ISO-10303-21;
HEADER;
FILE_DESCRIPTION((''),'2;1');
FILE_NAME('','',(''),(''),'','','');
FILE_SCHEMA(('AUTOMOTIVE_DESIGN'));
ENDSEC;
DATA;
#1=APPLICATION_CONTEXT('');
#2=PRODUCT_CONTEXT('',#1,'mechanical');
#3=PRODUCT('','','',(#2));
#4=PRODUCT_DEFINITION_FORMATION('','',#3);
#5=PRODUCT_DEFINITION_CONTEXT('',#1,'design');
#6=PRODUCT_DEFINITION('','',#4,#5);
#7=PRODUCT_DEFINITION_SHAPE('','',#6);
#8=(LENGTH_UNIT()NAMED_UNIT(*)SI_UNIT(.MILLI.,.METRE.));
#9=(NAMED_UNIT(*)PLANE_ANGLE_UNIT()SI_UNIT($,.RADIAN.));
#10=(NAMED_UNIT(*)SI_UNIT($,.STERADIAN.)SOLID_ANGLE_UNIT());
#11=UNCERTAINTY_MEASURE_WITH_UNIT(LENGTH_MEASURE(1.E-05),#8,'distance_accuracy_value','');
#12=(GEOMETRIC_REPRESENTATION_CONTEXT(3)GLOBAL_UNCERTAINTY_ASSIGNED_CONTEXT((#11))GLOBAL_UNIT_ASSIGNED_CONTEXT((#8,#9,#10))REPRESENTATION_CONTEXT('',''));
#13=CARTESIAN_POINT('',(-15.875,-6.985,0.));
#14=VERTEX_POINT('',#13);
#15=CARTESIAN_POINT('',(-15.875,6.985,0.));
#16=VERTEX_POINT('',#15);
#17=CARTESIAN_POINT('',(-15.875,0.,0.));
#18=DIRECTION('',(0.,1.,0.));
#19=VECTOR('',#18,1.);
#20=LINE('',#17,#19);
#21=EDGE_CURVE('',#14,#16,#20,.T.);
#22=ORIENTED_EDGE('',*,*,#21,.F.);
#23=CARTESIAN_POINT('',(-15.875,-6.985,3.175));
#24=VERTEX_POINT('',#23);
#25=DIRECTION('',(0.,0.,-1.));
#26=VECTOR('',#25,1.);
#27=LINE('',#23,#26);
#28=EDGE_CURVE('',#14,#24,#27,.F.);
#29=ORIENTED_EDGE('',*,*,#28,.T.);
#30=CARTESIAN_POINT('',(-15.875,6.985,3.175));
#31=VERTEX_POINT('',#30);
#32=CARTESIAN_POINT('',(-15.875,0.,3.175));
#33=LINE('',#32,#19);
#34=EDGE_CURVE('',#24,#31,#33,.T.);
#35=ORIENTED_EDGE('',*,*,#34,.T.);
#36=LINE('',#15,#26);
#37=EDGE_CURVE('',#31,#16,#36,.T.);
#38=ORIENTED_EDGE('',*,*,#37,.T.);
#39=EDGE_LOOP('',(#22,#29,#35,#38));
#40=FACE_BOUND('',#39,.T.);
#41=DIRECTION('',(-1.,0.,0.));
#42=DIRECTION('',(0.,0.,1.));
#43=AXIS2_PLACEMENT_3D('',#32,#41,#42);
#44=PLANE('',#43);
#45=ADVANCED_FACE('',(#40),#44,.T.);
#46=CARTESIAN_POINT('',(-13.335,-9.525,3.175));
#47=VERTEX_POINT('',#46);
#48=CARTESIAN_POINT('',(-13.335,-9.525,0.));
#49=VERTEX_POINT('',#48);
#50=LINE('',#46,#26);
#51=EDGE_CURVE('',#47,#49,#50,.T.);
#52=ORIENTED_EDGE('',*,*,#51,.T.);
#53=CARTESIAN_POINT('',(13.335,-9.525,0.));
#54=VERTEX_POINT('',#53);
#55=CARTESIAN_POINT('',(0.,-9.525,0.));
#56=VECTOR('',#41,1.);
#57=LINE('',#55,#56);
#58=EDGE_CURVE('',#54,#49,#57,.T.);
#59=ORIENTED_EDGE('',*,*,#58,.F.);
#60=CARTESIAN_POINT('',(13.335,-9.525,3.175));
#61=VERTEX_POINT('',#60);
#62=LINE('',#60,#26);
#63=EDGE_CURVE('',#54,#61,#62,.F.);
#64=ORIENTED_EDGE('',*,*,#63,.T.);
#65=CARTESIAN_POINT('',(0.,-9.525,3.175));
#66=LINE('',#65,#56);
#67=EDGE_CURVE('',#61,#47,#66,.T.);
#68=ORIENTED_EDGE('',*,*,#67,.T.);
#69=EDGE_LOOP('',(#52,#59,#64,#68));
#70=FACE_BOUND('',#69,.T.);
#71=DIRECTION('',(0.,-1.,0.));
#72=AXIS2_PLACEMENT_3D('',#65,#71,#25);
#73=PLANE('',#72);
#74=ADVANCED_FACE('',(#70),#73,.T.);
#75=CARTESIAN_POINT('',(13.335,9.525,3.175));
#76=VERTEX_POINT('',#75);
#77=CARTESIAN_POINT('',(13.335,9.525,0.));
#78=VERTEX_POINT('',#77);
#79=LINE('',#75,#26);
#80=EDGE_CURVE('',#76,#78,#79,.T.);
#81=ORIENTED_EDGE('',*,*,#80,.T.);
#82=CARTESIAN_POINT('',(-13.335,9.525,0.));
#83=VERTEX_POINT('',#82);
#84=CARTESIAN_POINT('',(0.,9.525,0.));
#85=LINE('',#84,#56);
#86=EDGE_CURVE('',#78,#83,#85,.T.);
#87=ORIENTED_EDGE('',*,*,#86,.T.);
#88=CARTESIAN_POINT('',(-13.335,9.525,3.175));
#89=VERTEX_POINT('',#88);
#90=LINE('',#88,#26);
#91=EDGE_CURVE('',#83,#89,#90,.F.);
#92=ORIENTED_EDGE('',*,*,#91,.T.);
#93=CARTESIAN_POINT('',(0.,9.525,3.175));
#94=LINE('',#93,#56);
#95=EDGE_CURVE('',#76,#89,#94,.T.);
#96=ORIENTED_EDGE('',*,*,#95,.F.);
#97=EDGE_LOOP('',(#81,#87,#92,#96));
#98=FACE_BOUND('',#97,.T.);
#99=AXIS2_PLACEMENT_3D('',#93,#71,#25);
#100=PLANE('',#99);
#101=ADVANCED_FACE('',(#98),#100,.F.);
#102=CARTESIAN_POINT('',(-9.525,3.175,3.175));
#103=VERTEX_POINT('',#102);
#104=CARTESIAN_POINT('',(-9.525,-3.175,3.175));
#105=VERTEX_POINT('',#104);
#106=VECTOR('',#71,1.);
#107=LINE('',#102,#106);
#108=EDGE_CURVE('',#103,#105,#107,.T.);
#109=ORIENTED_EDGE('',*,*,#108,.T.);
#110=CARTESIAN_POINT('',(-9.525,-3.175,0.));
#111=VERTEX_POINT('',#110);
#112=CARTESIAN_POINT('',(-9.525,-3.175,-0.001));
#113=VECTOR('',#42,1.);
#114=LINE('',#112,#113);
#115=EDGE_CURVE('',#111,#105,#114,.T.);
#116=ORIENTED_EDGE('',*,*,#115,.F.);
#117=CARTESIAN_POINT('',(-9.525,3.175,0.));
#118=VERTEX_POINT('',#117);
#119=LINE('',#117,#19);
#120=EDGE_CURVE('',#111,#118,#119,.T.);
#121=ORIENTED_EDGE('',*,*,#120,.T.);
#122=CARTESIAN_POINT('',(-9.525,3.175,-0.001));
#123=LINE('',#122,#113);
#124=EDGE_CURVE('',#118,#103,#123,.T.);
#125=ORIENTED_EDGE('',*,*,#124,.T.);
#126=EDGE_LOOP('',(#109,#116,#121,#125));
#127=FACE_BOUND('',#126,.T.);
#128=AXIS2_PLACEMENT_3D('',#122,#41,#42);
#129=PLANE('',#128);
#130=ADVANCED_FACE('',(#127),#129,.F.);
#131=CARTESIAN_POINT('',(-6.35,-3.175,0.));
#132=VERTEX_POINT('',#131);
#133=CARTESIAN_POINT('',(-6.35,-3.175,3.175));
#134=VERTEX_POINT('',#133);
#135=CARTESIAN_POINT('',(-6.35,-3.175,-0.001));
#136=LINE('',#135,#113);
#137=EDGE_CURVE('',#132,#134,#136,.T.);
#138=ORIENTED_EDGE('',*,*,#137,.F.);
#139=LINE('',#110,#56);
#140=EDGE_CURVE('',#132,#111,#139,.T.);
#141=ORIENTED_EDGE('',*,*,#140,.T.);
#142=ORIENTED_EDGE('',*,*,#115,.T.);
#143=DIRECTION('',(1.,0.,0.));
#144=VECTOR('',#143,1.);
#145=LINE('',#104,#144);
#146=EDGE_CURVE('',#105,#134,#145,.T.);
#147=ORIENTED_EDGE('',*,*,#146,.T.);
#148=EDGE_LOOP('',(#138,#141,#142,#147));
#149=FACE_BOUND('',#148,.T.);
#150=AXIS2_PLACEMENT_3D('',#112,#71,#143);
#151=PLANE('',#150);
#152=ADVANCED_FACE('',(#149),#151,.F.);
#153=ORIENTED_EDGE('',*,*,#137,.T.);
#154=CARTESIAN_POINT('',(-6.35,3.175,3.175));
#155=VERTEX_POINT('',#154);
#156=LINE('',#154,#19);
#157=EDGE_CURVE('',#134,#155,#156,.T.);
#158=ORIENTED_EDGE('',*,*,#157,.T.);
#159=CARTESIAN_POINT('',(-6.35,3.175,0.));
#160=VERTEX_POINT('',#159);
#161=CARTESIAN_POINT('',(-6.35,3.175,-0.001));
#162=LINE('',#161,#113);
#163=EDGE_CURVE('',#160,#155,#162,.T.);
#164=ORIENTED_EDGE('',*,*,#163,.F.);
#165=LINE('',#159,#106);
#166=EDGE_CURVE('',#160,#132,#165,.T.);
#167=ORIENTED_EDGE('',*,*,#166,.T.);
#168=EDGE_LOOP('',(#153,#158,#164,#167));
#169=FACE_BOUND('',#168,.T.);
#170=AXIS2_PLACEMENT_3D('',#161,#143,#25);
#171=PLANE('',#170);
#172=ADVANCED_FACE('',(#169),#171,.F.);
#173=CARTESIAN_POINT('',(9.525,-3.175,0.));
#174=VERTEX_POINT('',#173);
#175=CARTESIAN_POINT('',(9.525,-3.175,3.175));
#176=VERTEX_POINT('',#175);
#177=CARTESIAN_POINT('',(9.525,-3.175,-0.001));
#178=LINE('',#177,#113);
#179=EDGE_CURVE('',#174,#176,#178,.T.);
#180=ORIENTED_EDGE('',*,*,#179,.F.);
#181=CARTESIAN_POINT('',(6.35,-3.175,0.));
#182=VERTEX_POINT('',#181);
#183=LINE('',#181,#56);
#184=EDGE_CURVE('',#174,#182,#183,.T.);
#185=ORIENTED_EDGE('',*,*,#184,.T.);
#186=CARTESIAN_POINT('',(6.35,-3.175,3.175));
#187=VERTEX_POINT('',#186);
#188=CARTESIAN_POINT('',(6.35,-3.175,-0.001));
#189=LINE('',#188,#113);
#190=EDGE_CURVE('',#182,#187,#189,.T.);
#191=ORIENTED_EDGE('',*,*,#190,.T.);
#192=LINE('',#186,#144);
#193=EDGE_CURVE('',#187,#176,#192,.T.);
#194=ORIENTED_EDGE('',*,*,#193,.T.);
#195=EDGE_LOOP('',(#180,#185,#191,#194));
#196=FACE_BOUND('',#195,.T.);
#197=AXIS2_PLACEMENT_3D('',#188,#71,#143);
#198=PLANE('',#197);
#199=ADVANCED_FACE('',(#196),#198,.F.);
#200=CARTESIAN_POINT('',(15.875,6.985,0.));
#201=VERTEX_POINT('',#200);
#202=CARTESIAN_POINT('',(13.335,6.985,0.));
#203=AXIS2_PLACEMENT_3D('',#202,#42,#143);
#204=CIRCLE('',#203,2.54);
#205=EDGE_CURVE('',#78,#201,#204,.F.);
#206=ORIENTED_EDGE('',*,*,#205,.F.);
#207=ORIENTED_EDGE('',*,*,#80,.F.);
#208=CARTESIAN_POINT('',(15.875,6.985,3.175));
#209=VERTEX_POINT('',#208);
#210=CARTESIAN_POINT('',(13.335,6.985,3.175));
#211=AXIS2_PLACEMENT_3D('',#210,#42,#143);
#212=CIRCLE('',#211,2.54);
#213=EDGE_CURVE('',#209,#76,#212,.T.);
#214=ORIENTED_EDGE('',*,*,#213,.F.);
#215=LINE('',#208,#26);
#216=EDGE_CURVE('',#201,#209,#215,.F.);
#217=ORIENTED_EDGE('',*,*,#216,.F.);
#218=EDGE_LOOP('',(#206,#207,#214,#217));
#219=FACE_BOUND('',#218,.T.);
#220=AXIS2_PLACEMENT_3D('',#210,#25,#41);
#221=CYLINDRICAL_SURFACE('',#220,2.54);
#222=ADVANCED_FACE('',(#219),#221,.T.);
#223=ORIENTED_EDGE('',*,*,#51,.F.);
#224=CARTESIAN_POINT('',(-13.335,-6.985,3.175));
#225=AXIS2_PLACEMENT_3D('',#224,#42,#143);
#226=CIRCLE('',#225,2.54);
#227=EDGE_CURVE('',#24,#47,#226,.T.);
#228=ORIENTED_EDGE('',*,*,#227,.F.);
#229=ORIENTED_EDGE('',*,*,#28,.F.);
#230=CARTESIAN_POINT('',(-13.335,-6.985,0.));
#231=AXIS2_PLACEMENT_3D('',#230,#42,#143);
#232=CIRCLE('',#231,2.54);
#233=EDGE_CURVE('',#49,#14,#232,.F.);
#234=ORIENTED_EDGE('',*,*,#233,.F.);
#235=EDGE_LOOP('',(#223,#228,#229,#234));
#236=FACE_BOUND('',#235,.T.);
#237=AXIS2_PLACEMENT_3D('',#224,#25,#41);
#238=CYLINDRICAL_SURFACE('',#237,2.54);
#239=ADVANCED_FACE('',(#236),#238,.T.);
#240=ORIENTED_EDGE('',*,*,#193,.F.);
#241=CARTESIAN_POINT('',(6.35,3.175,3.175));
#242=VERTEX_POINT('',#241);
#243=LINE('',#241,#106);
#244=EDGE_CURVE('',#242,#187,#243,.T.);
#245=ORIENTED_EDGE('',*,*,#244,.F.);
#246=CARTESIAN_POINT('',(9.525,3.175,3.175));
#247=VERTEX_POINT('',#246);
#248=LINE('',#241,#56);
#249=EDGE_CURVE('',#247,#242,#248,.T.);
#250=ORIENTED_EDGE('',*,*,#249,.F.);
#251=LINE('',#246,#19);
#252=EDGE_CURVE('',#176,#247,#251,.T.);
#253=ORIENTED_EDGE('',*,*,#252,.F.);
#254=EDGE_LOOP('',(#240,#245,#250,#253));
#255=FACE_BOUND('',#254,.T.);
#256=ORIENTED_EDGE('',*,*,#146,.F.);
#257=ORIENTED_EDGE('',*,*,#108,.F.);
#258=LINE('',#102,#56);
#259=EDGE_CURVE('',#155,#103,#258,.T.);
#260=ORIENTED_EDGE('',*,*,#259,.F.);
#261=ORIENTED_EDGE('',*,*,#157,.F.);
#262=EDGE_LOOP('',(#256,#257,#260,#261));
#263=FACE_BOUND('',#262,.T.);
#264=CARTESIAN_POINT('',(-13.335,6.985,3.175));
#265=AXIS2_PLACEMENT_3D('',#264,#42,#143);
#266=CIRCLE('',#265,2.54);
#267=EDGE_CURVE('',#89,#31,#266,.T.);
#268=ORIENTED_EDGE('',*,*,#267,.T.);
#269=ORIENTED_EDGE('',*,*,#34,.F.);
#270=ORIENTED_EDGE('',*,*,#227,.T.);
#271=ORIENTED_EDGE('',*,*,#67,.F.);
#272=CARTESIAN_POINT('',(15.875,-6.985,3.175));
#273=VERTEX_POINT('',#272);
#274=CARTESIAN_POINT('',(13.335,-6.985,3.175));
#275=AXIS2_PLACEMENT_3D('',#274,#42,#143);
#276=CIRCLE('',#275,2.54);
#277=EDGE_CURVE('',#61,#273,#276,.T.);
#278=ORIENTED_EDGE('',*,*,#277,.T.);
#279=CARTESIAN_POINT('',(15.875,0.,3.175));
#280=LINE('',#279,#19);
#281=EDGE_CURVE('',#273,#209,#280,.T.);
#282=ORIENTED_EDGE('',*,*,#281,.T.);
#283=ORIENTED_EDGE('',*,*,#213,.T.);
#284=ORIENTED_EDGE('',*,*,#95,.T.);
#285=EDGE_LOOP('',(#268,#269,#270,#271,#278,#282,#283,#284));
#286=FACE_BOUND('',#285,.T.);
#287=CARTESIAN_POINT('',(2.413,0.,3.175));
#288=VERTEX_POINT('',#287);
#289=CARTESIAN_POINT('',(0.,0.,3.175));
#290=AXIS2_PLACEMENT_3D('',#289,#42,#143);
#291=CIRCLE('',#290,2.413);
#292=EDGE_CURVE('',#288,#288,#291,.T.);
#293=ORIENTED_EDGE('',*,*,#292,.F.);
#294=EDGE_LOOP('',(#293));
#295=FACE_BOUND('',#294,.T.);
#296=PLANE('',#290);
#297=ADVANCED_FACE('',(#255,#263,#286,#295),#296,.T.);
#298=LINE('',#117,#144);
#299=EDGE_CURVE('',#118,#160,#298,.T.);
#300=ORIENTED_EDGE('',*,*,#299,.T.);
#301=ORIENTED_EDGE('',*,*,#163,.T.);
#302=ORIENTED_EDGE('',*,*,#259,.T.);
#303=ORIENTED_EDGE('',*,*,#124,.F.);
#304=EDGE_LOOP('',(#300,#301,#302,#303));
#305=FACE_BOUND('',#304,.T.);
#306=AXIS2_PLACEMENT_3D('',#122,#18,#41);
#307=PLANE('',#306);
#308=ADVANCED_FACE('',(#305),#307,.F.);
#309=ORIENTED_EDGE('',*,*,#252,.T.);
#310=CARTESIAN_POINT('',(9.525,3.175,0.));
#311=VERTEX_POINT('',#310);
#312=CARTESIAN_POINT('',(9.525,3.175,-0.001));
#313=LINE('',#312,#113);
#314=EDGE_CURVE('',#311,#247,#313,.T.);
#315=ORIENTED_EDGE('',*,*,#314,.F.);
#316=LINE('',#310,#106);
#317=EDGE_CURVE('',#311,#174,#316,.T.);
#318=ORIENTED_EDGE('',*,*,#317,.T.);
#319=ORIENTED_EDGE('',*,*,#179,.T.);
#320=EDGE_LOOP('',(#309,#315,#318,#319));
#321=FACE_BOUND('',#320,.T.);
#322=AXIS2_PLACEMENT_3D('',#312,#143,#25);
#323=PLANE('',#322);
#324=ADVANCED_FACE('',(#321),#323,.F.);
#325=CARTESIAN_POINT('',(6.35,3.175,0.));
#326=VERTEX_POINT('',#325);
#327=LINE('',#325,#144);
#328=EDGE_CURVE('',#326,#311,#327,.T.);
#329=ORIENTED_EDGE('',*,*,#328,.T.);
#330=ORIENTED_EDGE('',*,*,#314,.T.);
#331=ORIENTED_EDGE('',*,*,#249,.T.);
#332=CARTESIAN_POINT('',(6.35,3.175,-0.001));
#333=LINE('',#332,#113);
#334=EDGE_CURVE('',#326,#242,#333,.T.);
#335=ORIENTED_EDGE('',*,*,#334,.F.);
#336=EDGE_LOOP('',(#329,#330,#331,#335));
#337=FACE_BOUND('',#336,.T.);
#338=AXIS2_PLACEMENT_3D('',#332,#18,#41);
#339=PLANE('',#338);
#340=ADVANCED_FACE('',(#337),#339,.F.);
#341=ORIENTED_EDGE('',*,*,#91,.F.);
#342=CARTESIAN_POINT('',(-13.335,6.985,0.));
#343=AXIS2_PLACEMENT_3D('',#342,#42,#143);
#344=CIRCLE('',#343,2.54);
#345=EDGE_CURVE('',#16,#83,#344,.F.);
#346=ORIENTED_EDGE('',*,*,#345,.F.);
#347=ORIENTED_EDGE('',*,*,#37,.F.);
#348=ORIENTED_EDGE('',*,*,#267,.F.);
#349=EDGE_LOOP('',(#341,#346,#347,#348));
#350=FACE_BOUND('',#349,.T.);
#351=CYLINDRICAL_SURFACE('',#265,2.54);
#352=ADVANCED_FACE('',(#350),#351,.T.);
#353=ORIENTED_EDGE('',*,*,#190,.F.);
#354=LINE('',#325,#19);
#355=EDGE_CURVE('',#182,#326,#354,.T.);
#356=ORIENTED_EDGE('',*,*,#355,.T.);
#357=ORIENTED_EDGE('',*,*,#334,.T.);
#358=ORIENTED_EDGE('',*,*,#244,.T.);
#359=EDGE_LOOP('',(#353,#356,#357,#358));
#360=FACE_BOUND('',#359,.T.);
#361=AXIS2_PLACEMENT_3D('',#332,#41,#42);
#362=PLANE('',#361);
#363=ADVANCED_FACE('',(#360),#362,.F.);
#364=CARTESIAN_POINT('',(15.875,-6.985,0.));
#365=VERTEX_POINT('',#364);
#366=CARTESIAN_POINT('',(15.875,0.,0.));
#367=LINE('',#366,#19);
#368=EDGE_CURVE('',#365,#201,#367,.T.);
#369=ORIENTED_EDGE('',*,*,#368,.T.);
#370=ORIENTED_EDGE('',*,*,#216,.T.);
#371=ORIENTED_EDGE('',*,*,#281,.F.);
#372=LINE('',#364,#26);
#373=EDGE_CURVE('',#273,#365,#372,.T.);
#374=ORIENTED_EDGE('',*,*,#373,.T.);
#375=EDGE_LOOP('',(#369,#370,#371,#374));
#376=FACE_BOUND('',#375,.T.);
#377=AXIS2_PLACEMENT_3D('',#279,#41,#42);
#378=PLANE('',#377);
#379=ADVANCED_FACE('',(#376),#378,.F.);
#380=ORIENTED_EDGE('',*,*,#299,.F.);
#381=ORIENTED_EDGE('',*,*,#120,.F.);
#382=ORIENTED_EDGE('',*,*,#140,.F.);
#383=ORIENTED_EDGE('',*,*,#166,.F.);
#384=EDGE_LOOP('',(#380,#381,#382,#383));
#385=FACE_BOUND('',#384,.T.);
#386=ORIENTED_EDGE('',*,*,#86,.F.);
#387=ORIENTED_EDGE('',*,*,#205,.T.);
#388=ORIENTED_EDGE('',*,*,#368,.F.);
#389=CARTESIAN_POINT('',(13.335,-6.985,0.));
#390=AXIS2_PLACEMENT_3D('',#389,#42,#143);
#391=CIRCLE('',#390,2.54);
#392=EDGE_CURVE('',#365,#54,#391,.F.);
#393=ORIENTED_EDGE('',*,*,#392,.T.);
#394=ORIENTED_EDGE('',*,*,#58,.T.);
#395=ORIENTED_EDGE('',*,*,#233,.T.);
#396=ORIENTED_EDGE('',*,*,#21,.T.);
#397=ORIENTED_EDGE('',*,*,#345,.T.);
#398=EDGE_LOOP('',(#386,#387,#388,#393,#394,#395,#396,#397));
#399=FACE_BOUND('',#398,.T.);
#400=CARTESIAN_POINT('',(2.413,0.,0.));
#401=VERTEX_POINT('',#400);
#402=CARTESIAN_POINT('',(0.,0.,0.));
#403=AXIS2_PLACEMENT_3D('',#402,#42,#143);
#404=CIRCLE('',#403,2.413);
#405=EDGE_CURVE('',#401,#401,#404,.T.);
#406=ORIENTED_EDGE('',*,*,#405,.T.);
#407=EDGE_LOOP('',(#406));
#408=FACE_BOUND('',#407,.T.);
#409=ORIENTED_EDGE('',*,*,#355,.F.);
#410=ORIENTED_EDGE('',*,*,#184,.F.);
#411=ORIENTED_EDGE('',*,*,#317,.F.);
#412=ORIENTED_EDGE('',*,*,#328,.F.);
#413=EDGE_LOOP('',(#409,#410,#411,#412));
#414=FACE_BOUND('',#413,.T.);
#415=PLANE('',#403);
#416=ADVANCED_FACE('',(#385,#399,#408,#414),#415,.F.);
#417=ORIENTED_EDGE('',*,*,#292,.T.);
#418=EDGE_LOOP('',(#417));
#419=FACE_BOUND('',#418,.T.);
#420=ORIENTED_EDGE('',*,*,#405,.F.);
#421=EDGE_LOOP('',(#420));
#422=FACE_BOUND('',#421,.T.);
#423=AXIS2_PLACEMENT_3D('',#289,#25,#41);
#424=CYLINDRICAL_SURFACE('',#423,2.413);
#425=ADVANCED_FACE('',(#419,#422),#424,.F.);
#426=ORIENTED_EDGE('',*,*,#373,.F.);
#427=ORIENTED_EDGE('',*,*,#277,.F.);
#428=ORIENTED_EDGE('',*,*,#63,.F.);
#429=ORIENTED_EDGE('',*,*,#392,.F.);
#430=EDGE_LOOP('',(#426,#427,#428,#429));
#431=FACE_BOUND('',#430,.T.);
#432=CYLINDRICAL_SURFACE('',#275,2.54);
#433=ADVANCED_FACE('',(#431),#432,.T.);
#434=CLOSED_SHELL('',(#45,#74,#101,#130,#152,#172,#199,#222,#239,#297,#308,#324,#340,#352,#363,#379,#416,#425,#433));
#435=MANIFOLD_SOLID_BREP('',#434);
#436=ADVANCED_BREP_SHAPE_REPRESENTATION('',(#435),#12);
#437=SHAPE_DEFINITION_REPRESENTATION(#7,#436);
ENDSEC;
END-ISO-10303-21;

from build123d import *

# Parameters (mm, degrees)
SKETCH1_W           = 6.35
SKETCH1_H           = 19.05
SKETCH1_W_2         = 19.05
SKETCH1_R           = 2.413
BOSS_EXTRUDE1_DEPTH = 3.175
FILLET1_R           = 2.54
CUT_EXTRUDE1_REACH  = 5.175
SKETCH2_W           = 3.175
SKETCH2_H           = 6.35


with BuildPart() as part:
    # Sketch1 → Boss-Extrude1 (new body)
    with BuildSketch(Plane.XY):
        with Locations((-12.7, 0)):
            Rectangle(SKETCH1_W, SKETCH1_H)
        Rectangle(SKETCH1_W_2, SKETCH1_H)
        Circle(SKETCH1_R, mode=Mode.SUBTRACT)
        with Locations((12.7, 0)):
            Rectangle(SKETCH1_W, SKETCH1_H)
    extrude(amount=BOSS_EXTRUDE1_DEPTH)

    # Fillet1
    fillet1_edges = [part.edges().sort_by_distance(p)[0] for p in [
        (-15.875, -9.525, 1.5875),
        (-15.875, 9.525, 1.5875),
        (15.875, 9.525, 1.5875),
        (15.875, -9.525, 1.5875),
    ]]
    fillet(fillet1_edges, radius=FILLET1_R)

    # Sketch2 → Cut-Extrude1 (cut, up to next)
    with BuildSketch(Plane.XY.offset(3.175), mode=Mode.PRIVATE) as cut_extrude1_sk1:
        with Locations((7.9375, 0)):
            Rectangle(SKETCH2_W, SKETCH2_H)
    cut_extrude1_tool1 = extrude(cut_extrude1_sk1.sketch, amount=-CUT_EXTRUDE1_REACH, mode=Mode.PRIVATE) & part.part
    add(cut_extrude1_tool1.solids().sort_by_distance((7.9375, 0, 3.175))[0], mode=Mode.SUBTRACT)
    # Sketch2 → Cut-Extrude1 (cut, up to next)
    with BuildSketch(Plane.XY.offset(3.175), mode=Mode.PRIVATE) as cut_extrude1_sk2:
        with Locations((-7.9375, 0)):
            Rectangle(SKETCH2_W, SKETCH2_H)
    cut_extrude1_tool2 = extrude(cut_extrude1_sk2.sketch, amount=-CUT_EXTRUDE1_REACH, mode=Mode.PRIVATE) & part.part
    add(cut_extrude1_tool2.solids().sort_by_distance((-7.9375, 0, 3.175))[0], mode=Mode.SUBTRACT)


solid = part.part
